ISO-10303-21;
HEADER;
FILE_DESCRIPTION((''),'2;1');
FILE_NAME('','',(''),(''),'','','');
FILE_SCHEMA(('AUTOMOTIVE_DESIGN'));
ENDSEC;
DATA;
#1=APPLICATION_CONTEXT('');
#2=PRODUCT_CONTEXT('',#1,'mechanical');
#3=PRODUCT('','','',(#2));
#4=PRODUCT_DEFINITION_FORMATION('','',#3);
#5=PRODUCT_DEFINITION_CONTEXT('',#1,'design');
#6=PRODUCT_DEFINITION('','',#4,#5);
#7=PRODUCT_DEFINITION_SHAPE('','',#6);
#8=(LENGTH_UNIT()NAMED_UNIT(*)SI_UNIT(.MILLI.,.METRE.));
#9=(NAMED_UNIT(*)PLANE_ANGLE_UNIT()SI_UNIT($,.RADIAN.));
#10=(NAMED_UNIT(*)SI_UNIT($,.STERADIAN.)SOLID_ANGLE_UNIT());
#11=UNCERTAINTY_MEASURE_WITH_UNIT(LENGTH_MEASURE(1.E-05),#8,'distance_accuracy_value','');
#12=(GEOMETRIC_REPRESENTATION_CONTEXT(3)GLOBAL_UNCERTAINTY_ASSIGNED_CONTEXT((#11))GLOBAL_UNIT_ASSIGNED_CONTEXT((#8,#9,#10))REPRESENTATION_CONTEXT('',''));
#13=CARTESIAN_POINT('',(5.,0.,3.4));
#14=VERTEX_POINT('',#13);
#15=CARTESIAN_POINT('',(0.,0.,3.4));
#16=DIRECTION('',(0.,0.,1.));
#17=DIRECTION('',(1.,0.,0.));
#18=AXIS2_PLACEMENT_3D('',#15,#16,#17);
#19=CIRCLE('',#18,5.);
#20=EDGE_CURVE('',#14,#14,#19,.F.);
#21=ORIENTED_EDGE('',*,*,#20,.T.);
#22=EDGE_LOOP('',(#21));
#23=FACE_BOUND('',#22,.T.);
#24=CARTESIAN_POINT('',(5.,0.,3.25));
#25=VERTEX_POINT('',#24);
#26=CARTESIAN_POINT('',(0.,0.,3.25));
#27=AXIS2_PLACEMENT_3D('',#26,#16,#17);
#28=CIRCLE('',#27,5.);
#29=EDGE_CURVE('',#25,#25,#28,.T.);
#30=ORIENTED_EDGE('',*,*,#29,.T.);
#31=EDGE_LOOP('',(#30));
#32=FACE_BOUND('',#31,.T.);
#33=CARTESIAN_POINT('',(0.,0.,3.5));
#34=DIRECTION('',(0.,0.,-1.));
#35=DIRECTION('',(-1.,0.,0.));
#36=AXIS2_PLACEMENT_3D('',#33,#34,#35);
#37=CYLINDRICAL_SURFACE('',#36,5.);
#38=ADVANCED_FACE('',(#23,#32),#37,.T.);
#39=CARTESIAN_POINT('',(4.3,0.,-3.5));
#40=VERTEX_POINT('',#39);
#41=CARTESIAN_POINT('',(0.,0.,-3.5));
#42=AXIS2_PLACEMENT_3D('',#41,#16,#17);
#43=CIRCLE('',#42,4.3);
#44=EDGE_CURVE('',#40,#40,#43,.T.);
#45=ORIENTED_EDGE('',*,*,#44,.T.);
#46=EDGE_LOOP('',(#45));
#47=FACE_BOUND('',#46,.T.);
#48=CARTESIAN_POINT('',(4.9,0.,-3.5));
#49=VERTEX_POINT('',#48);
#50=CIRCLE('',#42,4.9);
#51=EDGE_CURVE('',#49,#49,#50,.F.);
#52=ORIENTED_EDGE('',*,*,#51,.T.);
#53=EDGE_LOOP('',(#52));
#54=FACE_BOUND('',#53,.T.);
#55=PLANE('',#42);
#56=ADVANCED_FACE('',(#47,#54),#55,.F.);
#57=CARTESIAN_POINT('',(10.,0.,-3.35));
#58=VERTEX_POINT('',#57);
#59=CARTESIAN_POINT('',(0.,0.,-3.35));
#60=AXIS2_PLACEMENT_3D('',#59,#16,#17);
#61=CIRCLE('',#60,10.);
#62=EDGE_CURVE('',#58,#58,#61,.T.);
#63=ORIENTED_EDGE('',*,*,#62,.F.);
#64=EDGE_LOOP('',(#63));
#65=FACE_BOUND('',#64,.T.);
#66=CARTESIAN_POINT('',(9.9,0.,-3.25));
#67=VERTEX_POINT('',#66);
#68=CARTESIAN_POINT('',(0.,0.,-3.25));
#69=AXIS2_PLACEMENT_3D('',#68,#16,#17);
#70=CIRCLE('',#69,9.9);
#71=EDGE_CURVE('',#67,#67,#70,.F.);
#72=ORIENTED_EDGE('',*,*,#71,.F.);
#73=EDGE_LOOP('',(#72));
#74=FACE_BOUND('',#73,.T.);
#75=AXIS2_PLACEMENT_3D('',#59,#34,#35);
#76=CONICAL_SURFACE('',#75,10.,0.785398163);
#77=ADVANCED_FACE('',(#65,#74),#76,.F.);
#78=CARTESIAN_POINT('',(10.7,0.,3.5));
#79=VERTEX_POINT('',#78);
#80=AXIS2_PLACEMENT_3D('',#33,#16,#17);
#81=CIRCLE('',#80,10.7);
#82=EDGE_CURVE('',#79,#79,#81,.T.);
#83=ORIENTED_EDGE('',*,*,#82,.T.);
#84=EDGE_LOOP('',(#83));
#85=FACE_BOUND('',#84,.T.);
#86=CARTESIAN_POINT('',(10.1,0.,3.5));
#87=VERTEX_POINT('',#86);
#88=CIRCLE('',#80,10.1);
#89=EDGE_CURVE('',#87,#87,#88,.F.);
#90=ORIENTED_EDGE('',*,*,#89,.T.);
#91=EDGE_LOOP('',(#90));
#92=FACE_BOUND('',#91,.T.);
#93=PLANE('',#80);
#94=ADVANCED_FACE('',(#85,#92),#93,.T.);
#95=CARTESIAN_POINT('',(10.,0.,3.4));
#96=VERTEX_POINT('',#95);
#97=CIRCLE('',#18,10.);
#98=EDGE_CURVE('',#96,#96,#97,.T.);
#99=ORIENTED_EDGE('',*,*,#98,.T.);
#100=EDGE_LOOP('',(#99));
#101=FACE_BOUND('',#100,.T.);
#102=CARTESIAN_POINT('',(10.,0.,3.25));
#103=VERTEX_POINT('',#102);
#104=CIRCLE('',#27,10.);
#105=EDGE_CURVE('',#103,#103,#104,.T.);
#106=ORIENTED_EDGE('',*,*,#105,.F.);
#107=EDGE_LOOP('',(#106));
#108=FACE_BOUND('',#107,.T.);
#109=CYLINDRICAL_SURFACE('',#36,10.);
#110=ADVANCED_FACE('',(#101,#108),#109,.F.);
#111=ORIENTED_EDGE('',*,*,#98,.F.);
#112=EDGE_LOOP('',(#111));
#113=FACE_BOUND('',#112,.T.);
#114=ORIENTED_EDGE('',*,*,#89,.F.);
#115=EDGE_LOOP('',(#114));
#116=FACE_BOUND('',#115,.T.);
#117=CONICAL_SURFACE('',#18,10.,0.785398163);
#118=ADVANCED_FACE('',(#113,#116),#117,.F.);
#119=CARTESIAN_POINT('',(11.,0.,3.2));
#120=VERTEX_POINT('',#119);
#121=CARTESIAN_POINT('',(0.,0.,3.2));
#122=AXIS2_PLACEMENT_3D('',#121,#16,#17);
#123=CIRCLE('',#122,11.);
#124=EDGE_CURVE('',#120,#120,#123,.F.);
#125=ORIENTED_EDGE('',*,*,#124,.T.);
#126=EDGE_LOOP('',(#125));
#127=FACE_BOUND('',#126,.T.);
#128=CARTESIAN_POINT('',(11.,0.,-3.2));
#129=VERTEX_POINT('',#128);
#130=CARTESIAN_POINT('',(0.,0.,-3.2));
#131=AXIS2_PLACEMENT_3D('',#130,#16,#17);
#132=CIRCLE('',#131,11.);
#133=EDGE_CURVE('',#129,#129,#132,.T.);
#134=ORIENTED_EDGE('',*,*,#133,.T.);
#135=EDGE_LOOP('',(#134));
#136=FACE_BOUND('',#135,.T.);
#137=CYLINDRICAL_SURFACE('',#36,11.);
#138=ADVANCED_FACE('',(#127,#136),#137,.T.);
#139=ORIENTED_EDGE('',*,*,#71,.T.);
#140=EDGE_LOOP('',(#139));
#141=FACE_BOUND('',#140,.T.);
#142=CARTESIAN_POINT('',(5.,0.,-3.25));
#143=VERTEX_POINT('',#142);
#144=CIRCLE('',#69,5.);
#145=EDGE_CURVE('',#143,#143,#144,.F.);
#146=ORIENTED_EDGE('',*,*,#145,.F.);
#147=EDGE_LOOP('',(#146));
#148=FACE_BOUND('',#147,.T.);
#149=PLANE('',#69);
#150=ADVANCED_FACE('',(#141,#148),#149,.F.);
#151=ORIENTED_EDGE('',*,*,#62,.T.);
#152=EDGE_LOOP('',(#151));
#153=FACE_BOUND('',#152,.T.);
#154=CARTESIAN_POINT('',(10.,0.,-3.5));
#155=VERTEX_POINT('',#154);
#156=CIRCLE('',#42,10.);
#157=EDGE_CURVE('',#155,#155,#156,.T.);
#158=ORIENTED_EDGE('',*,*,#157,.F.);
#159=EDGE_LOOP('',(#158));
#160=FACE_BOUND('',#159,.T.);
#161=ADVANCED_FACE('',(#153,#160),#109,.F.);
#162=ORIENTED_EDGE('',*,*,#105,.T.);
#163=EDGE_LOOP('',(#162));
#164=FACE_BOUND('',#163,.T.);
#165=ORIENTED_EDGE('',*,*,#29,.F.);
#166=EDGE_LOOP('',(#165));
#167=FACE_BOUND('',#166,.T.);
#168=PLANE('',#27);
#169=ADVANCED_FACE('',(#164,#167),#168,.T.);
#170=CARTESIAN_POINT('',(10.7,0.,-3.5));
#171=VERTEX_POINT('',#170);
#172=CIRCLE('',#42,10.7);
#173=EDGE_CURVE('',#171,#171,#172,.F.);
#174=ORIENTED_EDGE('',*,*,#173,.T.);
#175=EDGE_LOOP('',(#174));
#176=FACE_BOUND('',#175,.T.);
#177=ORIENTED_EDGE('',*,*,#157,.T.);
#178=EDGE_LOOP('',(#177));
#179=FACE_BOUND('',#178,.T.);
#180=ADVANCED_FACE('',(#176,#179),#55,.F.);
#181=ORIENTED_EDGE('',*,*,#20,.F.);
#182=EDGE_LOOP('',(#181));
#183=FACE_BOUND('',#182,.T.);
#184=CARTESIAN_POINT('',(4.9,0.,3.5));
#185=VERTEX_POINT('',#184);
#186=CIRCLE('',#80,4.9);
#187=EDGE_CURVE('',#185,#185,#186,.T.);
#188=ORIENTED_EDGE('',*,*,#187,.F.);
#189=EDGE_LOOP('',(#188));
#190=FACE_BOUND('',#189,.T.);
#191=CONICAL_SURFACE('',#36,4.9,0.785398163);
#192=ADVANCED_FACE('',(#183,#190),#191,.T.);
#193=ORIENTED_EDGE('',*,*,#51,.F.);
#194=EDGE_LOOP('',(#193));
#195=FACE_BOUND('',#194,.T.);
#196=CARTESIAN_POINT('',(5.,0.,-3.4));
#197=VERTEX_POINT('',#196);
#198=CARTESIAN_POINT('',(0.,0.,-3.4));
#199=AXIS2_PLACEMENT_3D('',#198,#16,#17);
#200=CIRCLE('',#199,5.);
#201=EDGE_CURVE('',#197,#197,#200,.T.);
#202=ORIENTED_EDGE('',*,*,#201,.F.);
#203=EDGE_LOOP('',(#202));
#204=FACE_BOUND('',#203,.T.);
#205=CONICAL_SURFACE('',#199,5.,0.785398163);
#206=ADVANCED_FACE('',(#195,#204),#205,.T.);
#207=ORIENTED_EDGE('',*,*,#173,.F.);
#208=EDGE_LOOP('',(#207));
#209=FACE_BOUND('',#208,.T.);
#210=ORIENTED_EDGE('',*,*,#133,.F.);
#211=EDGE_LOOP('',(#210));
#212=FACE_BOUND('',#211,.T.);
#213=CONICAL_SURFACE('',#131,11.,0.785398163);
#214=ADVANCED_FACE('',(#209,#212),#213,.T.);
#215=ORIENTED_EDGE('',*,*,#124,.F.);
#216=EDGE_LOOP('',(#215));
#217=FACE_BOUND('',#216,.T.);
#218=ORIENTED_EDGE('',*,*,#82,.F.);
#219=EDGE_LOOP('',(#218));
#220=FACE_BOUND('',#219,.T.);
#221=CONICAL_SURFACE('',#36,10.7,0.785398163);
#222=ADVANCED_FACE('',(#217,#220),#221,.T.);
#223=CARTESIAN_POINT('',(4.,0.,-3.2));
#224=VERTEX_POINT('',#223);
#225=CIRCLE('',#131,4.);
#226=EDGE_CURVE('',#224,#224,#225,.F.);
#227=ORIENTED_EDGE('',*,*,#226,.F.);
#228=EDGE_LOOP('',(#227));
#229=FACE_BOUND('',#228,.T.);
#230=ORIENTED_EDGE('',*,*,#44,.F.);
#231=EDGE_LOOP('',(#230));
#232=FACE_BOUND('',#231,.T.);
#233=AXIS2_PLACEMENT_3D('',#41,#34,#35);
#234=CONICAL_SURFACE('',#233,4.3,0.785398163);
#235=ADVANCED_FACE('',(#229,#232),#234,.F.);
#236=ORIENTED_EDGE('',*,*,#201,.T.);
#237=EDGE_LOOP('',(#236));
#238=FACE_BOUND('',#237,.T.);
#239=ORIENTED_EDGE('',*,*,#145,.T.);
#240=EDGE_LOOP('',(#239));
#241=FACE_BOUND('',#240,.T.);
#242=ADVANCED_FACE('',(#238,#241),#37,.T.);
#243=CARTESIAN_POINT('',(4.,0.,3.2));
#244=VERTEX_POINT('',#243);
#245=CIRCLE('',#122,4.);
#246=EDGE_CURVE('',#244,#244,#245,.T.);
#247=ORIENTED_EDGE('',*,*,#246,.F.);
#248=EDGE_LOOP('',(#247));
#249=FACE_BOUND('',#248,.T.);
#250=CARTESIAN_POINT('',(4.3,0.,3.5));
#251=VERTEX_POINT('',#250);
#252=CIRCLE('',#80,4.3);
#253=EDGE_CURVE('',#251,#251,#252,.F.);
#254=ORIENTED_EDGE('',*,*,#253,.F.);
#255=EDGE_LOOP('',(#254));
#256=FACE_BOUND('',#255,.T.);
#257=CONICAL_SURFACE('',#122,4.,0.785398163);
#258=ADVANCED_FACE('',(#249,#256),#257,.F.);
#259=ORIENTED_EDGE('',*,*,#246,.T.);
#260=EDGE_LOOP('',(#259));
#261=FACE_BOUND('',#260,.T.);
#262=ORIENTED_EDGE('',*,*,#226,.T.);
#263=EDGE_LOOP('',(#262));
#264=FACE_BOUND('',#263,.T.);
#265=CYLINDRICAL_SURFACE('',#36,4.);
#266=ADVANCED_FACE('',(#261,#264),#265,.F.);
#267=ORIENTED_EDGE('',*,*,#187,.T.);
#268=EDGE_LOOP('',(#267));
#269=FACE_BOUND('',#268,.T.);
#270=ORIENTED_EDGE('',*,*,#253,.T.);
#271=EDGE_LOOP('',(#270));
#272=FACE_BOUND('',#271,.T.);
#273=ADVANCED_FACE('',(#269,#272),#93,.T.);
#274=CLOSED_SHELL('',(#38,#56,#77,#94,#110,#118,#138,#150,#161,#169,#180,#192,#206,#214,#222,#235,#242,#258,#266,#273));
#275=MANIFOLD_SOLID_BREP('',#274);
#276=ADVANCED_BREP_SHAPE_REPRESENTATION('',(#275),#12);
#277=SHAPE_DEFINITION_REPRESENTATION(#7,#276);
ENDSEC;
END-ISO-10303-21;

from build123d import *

# Parameters (mm, degrees)
SKETCH1_R             = 11
SKETCH1_R_2           = 10
BOSS_EXTRUDE1_DEPTH   = 3.5
SKETCH1_R_3           = 5
SKETCH1_R_4           = 4
BOSS_EXTRUDE1_2_DEPTH = 3.5
SKETCH1_3_R           = 10
SKETCH1_3_R_2         = 5
BOSS_EXTRUDE2_DEPTH   = 3.25
CHAMFER1_SIZE         = 0.3
CHAMFER2_SIZE         = 0.1


with BuildPart() as part:
    # Sketch1 → Boss-Extrude1 (new body, symmetric)
    with BuildSketch(Plane.XY):
        Circle(SKETCH1_R)
        Circle(SKETCH1_R_2, mode=Mode.SUBTRACT)
    extrude(amount=BOSS_EXTRUDE1_DEPTH, both=True)



with BuildPart() as body_2:
    # Sketch1 → Boss-Extrude1 2 (new body, symmetric)
    with BuildSketch(Plane.XY):
        Circle(SKETCH1_R_3)
        Circle(SKETCH1_R_4, mode=Mode.SUBTRACT)
    extrude(amount=BOSS_EXTRUDE1_2_DEPTH, both=True)


with BuildPart() as part_1:
    add(part.part)

    add(body_2.part)  # Boss-Extrude2 merges body 2
    # Sketch1_3 → Boss-Extrude2 (add, symmetric)
    with BuildSketch(Plane.XY):
        Circle(SKETCH1_3_R)
        Circle(SKETCH1_3_R_2, mode=Mode.SUBTRACT)
    extrude(amount=BOSS_EXTRUDE2_DEPTH, both=True)

    # Chamfer1
    chamfer1_edges = [part_1.edges().sort_by_distance(p)[0] for p in [
        (-11, 0, 3.5),
        (-4, 0, 3.5),
        (-4, 0, -3.5),
        (-11, 0, -3.5),
    ]]
    chamfer(chamfer1_edges, length=CHAMFER1_SIZE)

    # Chamfer2
    chamfer2_edges = [part_1.edges().sort_by_distance(p)[0] for p in [
        (-10, 0, -3.25),
        (-5, 0, -3.5),
        (-5, 0, 3.5),
        (-10, 0, 3.5),
    ]]
    chamfer(chamfer2_edges, length=CHAMFER2_SIZE)


solid = part_1.part
